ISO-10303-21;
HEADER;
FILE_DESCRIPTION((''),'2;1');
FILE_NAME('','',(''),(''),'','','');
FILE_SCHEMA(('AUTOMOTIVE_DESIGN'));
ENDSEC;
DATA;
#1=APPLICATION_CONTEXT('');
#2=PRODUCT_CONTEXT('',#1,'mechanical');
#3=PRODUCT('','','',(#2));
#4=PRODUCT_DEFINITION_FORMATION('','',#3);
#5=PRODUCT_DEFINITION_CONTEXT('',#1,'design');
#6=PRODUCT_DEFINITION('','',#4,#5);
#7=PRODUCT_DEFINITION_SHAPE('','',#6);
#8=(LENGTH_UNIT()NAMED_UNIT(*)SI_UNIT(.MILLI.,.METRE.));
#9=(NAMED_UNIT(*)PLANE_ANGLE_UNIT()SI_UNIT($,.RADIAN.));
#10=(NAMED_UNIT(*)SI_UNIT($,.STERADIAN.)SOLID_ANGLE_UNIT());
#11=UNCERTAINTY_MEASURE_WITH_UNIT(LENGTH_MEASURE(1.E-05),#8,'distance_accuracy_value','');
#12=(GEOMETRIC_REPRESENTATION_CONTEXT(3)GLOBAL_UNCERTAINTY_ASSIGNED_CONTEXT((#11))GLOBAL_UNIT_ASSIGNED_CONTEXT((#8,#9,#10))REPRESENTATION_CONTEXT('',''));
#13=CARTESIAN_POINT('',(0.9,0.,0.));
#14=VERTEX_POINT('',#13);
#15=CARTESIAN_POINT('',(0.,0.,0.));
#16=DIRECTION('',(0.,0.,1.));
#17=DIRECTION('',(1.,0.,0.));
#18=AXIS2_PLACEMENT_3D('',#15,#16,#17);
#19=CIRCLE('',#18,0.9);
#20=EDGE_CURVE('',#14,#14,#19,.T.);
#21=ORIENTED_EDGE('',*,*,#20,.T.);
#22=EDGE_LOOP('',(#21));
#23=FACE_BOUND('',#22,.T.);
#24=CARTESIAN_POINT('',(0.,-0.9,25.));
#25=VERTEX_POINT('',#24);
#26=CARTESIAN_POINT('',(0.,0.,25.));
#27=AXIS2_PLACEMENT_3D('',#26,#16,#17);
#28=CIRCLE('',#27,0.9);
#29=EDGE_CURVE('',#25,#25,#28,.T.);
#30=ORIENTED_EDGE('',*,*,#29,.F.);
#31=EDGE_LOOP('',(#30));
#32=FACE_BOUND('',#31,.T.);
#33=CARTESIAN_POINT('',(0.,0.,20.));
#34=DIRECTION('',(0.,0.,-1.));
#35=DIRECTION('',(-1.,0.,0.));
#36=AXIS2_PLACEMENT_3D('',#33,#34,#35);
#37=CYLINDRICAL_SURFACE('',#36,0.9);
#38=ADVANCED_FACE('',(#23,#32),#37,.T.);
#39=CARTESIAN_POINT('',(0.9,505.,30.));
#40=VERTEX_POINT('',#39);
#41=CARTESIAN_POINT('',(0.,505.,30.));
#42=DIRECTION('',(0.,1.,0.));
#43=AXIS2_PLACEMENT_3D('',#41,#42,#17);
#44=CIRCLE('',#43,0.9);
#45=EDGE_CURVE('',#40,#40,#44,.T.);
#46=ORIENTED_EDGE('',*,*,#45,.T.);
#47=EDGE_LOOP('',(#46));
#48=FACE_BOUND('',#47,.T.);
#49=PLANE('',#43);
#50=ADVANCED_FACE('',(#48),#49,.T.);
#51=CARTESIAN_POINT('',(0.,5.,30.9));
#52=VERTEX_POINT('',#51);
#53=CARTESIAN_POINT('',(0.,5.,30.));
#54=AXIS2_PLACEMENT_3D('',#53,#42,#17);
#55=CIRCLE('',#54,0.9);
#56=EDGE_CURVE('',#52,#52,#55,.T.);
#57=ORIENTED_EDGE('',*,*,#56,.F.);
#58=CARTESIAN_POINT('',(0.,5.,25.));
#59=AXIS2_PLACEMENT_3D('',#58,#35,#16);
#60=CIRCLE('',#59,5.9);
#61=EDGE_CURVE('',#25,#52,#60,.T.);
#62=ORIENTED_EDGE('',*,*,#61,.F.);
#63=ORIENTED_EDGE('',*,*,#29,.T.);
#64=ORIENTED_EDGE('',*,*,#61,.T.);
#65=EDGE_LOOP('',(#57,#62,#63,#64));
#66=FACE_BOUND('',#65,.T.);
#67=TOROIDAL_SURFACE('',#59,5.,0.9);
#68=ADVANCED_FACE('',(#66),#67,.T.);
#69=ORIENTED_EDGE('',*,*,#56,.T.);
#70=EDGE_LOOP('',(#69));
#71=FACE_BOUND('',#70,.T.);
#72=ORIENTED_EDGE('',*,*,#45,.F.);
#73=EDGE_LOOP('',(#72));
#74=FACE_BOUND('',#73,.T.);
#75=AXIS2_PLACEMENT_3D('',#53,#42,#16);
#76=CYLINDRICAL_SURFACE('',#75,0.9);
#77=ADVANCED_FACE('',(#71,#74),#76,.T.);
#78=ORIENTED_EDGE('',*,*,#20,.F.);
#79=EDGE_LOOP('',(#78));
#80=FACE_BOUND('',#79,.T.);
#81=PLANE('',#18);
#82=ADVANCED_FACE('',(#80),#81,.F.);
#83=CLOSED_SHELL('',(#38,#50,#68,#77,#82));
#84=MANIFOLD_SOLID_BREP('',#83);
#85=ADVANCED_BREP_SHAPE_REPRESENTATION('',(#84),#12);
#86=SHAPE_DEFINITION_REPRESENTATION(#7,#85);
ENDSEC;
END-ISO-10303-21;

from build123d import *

# Parameters (mm, degrees)
SKETCH_1_R      = 0.9
EXTRUDE_1_DEPTH = 20
SKETCH_2_R      = 0.9


with BuildPart() as part:
    # ｽｹｯﾁ1 → ﾎﾞｽ - 押し出し1 (new body)
    with BuildSketch(Plane.XY):
        Circle(SKETCH_1_R)
    extrude(amount=EXTRUDE_1_DEPTH)

    # ｽｲｰﾌﾟ1: sweep along a path in ｽｹｯﾁ3
    with BuildLine(Plane(origin=(0, 0, 0), x_dir=(0, 0, -1), z_dir=(1, 0, 0))) as sweep_1_path:
        Line((-20, 0), (-25, 0))
        ThreePointArc((-25, 0), (-28.535533906, 1.464466094), (-30, 5))
        Line((-30, 5), (-30, 505))
    # ｽｹｯﾁ2 → ｽｲｰﾌﾟ1 (sweep)
    with BuildSketch(Plane.XY.offset(20)):
        Circle(SKETCH_2_R)
    sweep(path=sweep_1_path.line)


solid = part.part
